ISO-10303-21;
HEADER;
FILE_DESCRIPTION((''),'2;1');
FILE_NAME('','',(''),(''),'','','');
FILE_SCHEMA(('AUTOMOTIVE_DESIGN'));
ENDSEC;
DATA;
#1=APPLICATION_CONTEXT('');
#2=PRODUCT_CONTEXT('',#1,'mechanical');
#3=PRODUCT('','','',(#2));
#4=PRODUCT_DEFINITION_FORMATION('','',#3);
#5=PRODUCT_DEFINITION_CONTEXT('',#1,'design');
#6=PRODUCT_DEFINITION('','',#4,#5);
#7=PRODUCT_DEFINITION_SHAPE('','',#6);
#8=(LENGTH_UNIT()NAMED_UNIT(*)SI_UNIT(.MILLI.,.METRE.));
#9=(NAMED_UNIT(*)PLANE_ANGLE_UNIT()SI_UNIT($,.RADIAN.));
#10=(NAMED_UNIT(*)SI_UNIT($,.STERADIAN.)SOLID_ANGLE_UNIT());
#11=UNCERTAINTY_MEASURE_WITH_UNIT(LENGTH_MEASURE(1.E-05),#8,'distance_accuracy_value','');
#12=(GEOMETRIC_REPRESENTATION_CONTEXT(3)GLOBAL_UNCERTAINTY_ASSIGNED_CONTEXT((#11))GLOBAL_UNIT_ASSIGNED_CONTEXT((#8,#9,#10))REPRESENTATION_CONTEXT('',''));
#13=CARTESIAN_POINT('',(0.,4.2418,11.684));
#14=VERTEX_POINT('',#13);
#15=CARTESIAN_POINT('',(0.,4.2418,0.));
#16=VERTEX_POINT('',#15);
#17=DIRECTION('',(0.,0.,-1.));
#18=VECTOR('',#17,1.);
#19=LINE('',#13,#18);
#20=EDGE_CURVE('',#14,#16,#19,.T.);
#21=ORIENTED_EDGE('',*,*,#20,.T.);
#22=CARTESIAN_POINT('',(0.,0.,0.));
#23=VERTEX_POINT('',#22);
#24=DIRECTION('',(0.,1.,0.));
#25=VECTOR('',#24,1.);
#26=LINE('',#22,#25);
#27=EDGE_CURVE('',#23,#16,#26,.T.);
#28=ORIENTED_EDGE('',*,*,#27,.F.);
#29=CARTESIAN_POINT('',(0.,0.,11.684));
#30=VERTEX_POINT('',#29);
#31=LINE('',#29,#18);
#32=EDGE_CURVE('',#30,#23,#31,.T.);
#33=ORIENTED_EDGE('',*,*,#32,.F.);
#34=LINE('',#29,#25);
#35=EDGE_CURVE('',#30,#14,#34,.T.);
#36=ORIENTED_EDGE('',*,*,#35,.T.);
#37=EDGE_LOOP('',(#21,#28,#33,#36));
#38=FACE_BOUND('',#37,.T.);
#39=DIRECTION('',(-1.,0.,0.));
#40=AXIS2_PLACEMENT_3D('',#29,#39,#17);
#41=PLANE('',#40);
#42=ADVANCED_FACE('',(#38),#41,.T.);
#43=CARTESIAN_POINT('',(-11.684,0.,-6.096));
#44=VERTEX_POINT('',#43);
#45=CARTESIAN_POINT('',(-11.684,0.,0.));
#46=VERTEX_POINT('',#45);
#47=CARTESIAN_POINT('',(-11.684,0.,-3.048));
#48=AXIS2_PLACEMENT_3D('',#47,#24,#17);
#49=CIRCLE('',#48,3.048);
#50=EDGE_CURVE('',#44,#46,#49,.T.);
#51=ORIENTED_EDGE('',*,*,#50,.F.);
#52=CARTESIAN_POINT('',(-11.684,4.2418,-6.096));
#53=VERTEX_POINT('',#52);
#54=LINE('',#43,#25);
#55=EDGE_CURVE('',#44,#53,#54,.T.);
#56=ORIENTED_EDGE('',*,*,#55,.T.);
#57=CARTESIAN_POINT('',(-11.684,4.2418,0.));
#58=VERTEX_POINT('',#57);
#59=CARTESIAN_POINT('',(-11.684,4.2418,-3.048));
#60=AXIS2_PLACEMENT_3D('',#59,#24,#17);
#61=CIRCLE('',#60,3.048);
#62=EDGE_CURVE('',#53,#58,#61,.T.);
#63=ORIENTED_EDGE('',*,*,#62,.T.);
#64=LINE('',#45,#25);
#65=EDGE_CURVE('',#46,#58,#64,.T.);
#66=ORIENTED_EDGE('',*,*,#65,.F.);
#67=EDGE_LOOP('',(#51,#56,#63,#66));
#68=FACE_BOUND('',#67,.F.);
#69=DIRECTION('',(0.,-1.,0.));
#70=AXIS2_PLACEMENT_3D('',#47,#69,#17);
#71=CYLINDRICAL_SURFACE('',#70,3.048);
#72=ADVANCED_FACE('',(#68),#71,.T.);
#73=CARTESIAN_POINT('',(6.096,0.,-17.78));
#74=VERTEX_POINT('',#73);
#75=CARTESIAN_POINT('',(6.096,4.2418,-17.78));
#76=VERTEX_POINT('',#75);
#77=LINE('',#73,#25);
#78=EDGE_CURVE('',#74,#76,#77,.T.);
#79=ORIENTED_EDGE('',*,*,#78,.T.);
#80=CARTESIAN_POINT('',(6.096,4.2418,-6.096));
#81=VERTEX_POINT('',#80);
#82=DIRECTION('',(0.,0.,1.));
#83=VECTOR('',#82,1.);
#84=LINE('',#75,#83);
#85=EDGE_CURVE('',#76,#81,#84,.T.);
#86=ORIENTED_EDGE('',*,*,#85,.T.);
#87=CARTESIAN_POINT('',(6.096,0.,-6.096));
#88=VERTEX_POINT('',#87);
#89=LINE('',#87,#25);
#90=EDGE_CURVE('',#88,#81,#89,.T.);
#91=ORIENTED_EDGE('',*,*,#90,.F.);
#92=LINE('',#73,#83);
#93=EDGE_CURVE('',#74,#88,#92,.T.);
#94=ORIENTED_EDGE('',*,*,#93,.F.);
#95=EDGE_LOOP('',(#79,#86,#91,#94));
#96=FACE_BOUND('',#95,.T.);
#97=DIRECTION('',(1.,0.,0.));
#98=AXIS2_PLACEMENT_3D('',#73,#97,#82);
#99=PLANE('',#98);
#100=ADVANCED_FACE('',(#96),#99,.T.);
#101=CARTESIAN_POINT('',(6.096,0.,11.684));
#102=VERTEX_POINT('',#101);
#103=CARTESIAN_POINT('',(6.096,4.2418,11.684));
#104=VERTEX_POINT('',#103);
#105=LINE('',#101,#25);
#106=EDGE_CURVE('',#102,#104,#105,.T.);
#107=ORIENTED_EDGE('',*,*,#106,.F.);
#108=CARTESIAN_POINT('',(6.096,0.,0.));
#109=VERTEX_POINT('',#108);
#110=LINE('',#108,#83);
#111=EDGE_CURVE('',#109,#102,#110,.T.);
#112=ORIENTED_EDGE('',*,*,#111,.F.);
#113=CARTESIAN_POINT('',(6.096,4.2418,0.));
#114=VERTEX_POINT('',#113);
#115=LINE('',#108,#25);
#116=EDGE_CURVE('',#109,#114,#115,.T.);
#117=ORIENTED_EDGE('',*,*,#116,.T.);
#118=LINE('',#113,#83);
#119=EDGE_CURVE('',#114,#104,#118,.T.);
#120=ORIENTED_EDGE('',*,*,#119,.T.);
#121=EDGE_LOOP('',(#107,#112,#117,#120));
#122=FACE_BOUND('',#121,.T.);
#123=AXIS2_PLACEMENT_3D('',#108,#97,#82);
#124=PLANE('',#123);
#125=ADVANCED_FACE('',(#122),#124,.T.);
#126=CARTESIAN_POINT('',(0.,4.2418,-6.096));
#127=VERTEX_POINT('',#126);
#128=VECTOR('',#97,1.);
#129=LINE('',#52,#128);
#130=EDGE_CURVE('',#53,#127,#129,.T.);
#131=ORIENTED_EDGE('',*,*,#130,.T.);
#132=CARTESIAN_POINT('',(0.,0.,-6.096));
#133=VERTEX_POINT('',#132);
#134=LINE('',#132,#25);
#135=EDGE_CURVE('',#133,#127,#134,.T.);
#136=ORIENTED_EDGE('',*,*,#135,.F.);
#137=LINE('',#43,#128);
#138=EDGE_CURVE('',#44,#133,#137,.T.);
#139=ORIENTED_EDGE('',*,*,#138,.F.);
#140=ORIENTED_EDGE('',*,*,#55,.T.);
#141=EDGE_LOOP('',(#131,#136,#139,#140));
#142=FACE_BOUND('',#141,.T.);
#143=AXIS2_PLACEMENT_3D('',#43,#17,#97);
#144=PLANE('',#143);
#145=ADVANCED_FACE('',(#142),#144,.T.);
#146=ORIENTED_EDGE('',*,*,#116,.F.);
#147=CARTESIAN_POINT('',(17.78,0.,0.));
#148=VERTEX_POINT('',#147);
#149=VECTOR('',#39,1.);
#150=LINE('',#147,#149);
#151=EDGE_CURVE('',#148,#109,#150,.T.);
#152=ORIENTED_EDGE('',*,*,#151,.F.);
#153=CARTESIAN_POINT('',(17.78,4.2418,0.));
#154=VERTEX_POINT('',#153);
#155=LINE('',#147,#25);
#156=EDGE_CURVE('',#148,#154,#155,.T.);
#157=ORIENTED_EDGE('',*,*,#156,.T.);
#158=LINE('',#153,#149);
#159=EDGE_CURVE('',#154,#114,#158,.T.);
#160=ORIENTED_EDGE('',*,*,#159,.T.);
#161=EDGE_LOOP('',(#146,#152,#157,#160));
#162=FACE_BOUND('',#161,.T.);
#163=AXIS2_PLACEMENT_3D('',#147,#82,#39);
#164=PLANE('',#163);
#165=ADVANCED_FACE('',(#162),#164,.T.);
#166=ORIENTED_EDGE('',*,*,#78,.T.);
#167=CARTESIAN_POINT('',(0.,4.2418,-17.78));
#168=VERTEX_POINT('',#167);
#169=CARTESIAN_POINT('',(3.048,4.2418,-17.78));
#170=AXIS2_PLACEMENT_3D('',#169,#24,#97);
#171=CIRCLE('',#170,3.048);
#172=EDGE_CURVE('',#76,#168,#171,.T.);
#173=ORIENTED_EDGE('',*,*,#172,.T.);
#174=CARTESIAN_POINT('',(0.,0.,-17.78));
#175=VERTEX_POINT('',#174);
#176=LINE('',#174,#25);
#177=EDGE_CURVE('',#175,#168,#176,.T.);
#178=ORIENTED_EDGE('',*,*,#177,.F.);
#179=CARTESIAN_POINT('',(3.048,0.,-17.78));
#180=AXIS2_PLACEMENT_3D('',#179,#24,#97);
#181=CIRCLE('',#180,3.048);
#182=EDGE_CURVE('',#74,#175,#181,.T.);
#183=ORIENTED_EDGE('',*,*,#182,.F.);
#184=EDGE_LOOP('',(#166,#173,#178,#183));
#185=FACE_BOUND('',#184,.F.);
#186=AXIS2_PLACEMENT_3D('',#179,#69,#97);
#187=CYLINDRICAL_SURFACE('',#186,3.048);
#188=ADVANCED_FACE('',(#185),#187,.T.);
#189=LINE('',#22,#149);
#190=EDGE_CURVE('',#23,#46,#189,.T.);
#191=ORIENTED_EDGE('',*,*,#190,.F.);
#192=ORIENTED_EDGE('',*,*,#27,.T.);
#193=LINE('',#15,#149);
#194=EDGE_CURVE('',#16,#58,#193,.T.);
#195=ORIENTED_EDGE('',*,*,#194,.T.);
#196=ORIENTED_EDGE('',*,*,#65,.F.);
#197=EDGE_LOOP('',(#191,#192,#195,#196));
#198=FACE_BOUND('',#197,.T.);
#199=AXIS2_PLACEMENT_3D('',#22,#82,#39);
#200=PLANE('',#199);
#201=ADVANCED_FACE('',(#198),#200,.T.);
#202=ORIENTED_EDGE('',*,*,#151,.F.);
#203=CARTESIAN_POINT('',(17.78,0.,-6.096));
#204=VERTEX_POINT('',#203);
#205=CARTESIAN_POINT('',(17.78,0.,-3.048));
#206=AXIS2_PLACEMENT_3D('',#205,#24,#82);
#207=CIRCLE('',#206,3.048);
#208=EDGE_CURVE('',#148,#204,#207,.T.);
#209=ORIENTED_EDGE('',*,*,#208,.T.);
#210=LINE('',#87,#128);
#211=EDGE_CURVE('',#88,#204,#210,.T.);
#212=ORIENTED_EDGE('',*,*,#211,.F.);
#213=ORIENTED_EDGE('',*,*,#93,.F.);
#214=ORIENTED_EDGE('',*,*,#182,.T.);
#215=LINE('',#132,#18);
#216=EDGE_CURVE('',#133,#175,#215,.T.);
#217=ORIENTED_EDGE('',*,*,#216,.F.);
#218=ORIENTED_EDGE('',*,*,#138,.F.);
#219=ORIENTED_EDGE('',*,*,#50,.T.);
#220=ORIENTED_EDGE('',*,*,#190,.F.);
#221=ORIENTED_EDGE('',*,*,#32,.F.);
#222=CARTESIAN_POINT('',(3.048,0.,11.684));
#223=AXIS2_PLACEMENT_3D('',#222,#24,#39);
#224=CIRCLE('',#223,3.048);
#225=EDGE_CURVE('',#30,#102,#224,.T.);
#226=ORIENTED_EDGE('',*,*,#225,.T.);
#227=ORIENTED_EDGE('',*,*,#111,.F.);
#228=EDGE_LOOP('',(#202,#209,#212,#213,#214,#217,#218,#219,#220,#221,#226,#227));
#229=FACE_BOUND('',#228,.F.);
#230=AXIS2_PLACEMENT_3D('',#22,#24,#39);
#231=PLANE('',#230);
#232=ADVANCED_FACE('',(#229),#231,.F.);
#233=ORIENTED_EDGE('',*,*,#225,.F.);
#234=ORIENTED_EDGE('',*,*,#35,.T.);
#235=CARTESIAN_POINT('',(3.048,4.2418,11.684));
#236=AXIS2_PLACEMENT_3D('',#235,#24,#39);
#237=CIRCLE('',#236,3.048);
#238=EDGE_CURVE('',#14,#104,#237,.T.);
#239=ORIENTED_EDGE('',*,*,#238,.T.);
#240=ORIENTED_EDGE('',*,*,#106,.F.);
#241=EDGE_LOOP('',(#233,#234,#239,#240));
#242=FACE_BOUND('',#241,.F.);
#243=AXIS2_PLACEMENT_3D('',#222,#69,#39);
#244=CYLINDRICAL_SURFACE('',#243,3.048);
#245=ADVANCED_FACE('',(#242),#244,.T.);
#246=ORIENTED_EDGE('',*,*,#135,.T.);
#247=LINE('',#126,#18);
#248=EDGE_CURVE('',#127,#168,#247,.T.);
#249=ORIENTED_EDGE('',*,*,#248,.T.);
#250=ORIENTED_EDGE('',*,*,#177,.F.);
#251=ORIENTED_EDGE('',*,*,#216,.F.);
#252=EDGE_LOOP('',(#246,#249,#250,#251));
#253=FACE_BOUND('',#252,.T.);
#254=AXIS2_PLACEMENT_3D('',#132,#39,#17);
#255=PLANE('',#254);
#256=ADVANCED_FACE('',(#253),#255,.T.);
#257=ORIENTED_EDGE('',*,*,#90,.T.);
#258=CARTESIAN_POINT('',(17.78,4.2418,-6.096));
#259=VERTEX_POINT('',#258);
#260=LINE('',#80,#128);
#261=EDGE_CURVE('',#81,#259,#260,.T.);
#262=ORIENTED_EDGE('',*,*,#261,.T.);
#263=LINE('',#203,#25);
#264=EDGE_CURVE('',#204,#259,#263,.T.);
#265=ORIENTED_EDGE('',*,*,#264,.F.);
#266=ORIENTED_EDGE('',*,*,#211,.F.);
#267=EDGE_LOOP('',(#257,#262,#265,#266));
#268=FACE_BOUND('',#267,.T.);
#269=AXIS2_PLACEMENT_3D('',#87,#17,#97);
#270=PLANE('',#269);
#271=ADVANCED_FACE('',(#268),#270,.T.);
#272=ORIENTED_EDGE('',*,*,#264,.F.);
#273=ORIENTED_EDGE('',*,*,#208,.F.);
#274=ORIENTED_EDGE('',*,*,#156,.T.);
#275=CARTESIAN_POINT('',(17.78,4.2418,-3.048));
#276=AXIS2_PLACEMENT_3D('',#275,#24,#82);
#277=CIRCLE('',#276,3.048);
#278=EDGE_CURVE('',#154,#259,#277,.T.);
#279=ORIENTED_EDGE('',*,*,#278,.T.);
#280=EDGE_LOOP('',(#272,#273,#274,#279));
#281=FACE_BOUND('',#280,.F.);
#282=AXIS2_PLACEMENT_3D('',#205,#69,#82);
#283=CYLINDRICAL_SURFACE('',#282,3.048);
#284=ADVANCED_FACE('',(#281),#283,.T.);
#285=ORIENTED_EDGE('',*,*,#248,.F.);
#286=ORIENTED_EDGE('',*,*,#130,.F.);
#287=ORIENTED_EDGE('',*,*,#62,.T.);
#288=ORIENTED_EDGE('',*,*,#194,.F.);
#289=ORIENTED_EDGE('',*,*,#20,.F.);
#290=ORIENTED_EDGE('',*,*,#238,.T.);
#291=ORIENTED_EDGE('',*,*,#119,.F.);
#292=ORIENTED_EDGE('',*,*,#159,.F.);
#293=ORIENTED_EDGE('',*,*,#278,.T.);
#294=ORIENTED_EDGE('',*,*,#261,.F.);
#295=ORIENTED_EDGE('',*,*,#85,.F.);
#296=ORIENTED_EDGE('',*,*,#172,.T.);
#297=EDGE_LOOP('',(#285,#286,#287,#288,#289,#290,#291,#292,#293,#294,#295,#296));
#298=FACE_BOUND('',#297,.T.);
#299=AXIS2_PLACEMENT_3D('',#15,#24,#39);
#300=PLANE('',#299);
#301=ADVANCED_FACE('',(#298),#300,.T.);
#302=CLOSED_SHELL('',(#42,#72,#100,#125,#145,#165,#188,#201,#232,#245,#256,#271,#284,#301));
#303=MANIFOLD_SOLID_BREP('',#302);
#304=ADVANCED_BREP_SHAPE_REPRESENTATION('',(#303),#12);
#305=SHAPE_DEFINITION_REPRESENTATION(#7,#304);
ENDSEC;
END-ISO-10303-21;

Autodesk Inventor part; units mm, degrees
ref_plane "YZ Plane" through (0, 0, 0) normal (1, 0, 0) x (0, 1, 0)
ref_plane "XZ Plane" through (0, 0, 0) normal (0, 1, 0) x (-1, 0, 0)
ref_plane "XY Plane" through (0, 0, 0) normal (0, 0, 1) x (1, 0, 0)
sketch "Sketch1" plane through (0, 0, 0) normal (0, 1, 0) x (-1, 0, 0)
  line L0 (0, 0) -> (11.684, 0)
  line L1 (11.684, 0) -> (11.684, -6.096)
  line L2 (11.684, -6.096) -> (0, -6.096)
  line L3 (0, -6.096) -> (0, -17.78)
  line L4 (0, -17.78) -> (-6.096, -17.78)
  line L5 (-6.096, -17.78) -> (-6.096, -6.096)
  line L6 (-6.096, -6.096) -> (-17.78, -6.096)
  line L7 (-17.78, -6.096) -> (-17.78, 0)
  line L8 (-17.78, 0) -> (-6.096, 0)
  line L9 (-6.096, 0) -> (-6.096, 11.684)
  line L10 (-6.096, 11.684) -> (0, 11.684)
  line L11 (0, 11.684) -> (0, 0)
  arc A0 (11.684, -6.096) -> (11.684, 0) centre (11.684, -3.048) ccw
  arc A1 (-6.096, -17.78) -> (0, -17.78) centre (-3.048, -17.78) ccw
  arc A2 (-17.78, 0) -> (-17.78, -6.096) centre (-17.78, -3.048) ccw
  arc A3 (0, 11.684) -> (-6.096, 11.684) centre (-3.048, 11.684) ccw
  dimension "d0" = 11.684
  dimension "d1" = 6.096
  dimension "d2" = 11.684
  dimension "d3" = 6.096
  dimension "d4" = 11.684
  dimension "d5" = 11.684
extrude "Extrusion1" add sketch "Sketch1" along normal blind 4.2418
properties part number "Part7 x 2"
